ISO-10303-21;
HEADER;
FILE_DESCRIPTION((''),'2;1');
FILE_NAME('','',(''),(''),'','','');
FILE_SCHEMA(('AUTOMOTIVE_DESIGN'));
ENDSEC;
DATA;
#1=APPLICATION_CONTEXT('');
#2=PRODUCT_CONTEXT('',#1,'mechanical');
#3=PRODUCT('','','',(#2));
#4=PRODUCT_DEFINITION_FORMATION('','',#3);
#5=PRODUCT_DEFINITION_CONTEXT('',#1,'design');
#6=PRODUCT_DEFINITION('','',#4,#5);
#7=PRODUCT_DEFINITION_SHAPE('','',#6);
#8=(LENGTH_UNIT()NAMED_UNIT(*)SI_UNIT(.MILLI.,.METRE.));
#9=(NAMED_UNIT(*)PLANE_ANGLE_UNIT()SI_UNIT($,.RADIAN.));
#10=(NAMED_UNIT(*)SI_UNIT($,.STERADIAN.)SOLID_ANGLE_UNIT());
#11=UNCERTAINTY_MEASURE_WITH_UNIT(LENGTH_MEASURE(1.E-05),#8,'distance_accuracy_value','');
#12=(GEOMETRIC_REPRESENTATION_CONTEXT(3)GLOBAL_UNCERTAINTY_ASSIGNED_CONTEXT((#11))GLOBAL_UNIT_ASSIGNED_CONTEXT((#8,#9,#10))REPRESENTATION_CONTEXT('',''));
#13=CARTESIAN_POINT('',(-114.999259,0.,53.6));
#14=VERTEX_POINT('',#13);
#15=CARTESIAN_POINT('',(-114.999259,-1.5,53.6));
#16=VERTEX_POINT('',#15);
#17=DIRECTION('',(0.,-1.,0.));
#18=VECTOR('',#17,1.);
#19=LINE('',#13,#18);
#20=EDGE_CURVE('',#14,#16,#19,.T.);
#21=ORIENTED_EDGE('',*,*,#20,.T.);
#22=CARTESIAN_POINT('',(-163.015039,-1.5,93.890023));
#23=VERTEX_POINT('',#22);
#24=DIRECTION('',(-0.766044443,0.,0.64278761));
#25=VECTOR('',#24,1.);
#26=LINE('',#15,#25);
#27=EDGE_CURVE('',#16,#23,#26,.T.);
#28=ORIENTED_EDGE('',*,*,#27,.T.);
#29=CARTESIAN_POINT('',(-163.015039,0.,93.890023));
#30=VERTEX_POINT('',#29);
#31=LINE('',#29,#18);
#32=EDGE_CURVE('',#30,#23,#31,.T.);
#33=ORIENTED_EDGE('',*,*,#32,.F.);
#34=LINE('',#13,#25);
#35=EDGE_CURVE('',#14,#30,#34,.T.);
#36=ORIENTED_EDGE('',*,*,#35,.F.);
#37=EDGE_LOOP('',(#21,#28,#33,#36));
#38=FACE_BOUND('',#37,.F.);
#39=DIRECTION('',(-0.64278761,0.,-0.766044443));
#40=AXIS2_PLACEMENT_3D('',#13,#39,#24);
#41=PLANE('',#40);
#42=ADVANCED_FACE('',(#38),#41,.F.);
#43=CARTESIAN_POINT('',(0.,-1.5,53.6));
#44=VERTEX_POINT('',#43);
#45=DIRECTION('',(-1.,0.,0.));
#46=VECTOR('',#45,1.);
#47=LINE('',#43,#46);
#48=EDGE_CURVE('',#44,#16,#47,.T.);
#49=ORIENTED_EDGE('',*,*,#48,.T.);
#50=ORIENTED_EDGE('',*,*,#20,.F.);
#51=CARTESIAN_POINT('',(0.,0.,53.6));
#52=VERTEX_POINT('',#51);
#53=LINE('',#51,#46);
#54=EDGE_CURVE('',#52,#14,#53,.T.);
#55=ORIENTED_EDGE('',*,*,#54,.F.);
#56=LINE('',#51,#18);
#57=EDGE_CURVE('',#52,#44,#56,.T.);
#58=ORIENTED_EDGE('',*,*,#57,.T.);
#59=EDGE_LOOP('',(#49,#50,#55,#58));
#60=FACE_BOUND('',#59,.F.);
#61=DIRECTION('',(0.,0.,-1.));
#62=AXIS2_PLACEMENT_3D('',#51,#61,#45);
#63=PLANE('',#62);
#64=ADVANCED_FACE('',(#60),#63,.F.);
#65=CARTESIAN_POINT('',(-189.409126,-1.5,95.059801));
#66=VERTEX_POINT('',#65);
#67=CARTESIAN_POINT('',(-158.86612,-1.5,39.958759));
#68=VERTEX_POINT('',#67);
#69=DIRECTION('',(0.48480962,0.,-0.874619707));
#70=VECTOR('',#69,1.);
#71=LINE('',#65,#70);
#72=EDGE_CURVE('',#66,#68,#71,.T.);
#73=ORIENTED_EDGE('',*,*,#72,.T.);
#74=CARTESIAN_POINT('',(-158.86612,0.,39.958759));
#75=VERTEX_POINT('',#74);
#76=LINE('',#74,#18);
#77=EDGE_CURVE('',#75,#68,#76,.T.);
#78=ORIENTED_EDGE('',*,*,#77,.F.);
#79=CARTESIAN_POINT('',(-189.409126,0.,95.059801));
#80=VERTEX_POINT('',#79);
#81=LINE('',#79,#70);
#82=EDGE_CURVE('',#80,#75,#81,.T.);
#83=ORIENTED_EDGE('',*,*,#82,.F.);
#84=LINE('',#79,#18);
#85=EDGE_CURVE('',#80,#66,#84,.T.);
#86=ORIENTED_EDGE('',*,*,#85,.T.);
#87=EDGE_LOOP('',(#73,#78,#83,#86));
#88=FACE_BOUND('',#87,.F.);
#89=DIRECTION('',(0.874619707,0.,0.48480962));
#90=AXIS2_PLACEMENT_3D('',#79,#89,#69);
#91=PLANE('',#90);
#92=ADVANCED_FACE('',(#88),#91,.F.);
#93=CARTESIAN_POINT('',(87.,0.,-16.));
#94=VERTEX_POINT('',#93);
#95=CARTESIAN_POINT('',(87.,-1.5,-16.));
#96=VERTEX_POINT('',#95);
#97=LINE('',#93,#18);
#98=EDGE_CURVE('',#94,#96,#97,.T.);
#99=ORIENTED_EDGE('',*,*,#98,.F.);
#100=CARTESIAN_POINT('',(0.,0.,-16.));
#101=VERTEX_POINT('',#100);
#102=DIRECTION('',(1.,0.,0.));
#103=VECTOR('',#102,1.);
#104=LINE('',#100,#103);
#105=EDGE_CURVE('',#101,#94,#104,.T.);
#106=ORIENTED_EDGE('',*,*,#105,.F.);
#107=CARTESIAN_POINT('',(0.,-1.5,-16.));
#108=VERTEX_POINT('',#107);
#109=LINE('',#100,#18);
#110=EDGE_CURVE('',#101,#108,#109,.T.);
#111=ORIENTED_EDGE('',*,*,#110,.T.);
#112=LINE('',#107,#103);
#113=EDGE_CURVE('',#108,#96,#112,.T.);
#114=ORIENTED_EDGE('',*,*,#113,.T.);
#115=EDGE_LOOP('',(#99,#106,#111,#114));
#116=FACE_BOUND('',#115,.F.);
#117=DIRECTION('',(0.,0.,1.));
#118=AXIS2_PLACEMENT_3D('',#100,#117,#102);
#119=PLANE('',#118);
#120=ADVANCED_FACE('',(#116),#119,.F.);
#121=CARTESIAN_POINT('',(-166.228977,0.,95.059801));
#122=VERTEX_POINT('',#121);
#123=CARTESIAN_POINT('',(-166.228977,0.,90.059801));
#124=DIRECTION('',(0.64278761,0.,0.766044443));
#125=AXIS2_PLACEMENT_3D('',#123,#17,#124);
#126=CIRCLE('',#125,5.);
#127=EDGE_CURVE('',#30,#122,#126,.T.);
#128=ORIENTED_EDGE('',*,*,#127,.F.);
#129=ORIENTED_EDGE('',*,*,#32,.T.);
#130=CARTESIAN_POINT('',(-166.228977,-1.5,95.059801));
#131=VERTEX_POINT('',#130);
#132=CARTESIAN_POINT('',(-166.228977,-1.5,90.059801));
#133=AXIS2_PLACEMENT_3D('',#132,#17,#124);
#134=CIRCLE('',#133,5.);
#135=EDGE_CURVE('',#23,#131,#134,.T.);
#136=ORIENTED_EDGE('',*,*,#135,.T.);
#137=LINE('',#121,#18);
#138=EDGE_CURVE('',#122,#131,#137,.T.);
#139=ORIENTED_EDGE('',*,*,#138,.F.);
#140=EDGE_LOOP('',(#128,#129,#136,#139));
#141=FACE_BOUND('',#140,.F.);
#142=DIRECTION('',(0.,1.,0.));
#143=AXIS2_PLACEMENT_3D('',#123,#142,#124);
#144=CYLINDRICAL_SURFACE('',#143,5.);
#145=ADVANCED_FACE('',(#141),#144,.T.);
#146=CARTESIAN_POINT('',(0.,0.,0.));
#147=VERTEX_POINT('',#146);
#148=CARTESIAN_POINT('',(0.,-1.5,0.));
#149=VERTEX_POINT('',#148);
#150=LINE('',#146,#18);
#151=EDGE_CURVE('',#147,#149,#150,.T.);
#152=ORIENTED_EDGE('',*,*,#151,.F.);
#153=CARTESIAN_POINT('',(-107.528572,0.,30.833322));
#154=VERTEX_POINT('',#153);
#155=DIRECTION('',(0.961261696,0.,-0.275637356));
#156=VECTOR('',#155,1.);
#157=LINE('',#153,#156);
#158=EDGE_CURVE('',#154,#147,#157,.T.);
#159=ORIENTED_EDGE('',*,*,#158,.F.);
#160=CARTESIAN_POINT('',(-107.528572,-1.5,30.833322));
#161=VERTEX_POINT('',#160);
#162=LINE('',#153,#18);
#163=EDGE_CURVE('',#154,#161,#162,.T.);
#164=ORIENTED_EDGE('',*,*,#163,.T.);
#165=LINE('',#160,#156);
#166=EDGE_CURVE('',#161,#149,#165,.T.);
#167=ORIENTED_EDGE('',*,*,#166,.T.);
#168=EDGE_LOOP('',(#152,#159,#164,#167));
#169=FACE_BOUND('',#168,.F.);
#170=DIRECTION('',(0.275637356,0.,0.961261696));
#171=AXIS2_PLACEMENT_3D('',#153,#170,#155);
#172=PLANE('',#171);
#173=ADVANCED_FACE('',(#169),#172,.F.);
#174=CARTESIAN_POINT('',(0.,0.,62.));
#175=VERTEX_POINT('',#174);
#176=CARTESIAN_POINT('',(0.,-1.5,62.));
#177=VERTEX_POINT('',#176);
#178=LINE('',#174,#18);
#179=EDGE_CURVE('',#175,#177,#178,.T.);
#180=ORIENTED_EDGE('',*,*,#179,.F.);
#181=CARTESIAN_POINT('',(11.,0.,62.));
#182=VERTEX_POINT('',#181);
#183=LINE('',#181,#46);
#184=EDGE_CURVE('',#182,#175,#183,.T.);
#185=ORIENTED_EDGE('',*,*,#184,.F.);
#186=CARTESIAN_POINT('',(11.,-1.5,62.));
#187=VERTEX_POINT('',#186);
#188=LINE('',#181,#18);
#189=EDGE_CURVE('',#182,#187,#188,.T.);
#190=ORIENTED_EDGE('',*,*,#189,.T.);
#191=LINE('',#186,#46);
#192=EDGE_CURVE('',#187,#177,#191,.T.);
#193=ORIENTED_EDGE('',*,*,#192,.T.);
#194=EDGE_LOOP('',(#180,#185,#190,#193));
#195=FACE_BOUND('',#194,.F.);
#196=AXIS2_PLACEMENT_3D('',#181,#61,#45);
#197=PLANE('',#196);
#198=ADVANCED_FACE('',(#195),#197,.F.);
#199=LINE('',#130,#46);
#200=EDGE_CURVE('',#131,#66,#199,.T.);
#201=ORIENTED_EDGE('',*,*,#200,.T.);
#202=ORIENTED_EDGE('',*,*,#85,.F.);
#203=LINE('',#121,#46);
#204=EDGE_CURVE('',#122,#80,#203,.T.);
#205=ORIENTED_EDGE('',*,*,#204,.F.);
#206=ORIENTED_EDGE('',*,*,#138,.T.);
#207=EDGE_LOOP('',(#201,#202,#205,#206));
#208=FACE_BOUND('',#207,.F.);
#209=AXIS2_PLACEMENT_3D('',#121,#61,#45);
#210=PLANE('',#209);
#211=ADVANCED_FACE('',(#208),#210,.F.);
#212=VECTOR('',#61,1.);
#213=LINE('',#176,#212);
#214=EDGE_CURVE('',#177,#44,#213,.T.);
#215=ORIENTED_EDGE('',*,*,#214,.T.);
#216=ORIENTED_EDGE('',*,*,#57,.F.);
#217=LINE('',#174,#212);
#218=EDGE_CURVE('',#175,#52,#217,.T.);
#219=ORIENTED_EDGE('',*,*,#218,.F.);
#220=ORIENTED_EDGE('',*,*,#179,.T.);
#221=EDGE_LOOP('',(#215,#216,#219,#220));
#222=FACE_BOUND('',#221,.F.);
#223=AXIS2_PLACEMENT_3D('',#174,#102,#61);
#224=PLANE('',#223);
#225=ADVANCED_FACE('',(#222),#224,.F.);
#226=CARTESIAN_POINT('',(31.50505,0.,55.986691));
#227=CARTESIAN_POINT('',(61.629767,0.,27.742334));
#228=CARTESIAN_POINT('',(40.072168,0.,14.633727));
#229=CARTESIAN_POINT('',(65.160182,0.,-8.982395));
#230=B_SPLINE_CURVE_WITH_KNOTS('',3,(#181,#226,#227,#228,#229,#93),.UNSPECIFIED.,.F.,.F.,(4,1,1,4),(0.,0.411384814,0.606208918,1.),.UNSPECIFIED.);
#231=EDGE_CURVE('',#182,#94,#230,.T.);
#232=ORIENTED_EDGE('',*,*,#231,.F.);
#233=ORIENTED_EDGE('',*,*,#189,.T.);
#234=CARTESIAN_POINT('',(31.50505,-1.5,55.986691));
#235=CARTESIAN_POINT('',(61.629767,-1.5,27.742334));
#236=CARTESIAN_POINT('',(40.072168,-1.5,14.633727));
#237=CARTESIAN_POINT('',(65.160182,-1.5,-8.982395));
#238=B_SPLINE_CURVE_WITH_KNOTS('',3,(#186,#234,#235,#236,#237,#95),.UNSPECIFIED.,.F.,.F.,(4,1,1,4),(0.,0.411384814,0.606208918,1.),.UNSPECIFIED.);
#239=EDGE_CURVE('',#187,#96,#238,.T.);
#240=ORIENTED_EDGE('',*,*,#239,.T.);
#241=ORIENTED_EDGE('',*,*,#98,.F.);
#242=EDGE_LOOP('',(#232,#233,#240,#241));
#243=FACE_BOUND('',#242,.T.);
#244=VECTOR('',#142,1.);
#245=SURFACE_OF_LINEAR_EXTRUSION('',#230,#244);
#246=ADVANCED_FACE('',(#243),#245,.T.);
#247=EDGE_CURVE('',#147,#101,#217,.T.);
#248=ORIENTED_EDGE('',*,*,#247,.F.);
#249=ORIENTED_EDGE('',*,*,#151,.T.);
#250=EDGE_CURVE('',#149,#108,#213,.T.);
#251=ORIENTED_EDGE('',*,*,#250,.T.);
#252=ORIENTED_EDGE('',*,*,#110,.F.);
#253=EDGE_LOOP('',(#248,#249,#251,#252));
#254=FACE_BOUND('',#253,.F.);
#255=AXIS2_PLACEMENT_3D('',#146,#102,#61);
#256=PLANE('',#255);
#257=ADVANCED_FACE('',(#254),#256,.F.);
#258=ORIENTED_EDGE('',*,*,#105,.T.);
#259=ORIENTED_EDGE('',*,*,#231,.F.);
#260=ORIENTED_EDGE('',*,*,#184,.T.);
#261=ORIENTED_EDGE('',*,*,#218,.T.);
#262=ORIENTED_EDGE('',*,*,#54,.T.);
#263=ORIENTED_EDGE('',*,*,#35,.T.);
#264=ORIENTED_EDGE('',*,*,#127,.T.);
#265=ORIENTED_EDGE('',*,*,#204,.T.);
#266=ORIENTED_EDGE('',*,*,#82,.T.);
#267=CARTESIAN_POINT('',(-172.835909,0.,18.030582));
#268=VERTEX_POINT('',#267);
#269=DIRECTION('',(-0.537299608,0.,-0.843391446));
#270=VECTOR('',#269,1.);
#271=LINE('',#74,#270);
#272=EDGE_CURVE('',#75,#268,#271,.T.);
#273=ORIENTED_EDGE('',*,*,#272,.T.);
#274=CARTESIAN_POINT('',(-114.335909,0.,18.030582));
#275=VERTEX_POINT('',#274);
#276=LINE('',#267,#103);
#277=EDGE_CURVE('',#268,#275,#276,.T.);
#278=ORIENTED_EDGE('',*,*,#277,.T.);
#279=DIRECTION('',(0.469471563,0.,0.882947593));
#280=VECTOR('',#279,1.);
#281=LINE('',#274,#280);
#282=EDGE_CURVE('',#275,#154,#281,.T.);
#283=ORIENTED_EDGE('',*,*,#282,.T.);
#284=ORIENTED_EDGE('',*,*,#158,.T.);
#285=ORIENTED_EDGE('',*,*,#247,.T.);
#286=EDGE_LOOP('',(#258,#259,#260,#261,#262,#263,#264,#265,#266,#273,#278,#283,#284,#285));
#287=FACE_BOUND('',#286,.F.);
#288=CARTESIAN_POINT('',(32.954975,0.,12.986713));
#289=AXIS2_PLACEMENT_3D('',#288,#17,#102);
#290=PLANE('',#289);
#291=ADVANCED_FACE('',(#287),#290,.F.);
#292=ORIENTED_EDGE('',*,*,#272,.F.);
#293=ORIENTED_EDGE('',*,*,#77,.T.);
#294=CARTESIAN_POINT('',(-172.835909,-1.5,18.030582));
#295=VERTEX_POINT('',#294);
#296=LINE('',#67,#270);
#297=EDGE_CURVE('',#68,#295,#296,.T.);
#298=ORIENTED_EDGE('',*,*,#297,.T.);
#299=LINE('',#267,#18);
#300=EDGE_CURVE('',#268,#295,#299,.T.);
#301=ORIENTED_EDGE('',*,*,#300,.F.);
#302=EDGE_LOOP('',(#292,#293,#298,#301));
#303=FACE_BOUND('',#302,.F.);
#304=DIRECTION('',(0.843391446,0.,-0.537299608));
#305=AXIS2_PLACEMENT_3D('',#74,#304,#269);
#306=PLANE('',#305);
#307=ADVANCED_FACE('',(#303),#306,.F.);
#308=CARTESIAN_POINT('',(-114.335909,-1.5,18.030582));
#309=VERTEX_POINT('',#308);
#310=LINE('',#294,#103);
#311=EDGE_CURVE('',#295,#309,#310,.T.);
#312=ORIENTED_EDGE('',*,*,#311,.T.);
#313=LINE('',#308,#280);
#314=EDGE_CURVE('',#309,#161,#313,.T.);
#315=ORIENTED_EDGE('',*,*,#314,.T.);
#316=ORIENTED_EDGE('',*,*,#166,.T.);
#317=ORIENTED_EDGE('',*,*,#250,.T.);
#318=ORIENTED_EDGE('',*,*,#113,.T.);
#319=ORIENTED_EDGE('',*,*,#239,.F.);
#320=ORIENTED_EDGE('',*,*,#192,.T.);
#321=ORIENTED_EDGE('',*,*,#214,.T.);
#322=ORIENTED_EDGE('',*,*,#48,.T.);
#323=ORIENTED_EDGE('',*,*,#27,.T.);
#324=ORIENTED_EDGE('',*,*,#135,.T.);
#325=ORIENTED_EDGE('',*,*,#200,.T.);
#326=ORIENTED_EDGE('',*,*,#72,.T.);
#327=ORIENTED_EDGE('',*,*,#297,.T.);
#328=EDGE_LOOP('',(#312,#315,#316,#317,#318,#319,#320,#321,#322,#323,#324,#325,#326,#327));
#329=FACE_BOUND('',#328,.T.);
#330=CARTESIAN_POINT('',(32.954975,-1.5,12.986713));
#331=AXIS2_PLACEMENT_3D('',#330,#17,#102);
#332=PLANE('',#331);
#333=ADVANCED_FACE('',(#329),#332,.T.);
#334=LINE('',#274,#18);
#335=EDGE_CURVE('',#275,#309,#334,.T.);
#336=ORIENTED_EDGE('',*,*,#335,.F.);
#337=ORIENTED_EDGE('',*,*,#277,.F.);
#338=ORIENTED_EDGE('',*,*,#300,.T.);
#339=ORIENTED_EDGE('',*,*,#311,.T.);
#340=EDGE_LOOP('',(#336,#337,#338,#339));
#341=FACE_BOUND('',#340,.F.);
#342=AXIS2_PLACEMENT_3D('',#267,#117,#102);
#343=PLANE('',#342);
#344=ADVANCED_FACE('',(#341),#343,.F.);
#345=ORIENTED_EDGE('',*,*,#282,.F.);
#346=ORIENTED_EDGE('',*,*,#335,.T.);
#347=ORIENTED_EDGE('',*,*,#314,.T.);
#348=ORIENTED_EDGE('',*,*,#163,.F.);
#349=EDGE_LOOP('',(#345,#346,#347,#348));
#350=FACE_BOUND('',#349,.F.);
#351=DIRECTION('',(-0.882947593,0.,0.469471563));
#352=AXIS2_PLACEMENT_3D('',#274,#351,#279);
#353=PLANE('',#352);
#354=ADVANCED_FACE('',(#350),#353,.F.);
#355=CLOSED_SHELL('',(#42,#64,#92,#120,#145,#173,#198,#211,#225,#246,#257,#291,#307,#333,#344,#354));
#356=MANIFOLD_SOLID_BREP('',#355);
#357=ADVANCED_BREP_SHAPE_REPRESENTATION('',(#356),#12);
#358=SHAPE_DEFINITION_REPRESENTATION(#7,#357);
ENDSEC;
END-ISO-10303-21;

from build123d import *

# Parameters (mm, degrees)
F1_DEPTH = 1.5


with BuildPart() as f1:
    # F0 (on Front) → F1 (new body)
    with BuildSketch(Plane.XZ):
        with BuildLine():
            Line((11, 62), (0, 62))
            Line((0, 62), (0, 53.6))
            Line((0, 53.6), (0, 0))
            Line((0, 0), (0, -16))
            Line((0, -16), (87, -16))
            add(Edge.make_bspline(
                [(11, 62), (31.5050498735, 55.9866910222), (61.6297667235, 27.7423337667), (40.0721675156, 14.6337271946), (65.1601816989, -8.9823952961), (87, -16)],
                knots=[0, 0, 0, 0, 0.4113848141, 0.6062089181, 1, 1, 1, 1], degree=3))
        make_face()
        with BuildLine():
            Line((0, 0), (0, 53.6))
            Line((0, 53.6), (-114.999259066, 53.6))
            Line((-114.999259066, 53.6), (-163.0150387701, 93.8900230404))
            ThreePointArc((-163.0150387701, 93.8900230404), (-164.5188761019, 94.7582639287), (-166.2289768185, 95.0598008248))
            Line((-166.2289768185, 95.0598008248), (-189.4091256472, 95.0598008248))
            Line((-189.4091256472, 95.0598008248), (-158.8661195717, 39.958759275))
            Line((-158.8661195717, 39.958759275), (-172.8359093887, 18.0305816839))
            Line((-172.8359093887, 18.0305816839), (-114.3359093887, 18.0305816839))
            Line((-114.3359093887, 18.0305816839), (-107.5285717283, 30.8333217803))
            Line((-107.5285717283, 30.8333217803), (0, 0))
        make_face()
    extrude(amount=F1_DEPTH)


solid = f1.part
